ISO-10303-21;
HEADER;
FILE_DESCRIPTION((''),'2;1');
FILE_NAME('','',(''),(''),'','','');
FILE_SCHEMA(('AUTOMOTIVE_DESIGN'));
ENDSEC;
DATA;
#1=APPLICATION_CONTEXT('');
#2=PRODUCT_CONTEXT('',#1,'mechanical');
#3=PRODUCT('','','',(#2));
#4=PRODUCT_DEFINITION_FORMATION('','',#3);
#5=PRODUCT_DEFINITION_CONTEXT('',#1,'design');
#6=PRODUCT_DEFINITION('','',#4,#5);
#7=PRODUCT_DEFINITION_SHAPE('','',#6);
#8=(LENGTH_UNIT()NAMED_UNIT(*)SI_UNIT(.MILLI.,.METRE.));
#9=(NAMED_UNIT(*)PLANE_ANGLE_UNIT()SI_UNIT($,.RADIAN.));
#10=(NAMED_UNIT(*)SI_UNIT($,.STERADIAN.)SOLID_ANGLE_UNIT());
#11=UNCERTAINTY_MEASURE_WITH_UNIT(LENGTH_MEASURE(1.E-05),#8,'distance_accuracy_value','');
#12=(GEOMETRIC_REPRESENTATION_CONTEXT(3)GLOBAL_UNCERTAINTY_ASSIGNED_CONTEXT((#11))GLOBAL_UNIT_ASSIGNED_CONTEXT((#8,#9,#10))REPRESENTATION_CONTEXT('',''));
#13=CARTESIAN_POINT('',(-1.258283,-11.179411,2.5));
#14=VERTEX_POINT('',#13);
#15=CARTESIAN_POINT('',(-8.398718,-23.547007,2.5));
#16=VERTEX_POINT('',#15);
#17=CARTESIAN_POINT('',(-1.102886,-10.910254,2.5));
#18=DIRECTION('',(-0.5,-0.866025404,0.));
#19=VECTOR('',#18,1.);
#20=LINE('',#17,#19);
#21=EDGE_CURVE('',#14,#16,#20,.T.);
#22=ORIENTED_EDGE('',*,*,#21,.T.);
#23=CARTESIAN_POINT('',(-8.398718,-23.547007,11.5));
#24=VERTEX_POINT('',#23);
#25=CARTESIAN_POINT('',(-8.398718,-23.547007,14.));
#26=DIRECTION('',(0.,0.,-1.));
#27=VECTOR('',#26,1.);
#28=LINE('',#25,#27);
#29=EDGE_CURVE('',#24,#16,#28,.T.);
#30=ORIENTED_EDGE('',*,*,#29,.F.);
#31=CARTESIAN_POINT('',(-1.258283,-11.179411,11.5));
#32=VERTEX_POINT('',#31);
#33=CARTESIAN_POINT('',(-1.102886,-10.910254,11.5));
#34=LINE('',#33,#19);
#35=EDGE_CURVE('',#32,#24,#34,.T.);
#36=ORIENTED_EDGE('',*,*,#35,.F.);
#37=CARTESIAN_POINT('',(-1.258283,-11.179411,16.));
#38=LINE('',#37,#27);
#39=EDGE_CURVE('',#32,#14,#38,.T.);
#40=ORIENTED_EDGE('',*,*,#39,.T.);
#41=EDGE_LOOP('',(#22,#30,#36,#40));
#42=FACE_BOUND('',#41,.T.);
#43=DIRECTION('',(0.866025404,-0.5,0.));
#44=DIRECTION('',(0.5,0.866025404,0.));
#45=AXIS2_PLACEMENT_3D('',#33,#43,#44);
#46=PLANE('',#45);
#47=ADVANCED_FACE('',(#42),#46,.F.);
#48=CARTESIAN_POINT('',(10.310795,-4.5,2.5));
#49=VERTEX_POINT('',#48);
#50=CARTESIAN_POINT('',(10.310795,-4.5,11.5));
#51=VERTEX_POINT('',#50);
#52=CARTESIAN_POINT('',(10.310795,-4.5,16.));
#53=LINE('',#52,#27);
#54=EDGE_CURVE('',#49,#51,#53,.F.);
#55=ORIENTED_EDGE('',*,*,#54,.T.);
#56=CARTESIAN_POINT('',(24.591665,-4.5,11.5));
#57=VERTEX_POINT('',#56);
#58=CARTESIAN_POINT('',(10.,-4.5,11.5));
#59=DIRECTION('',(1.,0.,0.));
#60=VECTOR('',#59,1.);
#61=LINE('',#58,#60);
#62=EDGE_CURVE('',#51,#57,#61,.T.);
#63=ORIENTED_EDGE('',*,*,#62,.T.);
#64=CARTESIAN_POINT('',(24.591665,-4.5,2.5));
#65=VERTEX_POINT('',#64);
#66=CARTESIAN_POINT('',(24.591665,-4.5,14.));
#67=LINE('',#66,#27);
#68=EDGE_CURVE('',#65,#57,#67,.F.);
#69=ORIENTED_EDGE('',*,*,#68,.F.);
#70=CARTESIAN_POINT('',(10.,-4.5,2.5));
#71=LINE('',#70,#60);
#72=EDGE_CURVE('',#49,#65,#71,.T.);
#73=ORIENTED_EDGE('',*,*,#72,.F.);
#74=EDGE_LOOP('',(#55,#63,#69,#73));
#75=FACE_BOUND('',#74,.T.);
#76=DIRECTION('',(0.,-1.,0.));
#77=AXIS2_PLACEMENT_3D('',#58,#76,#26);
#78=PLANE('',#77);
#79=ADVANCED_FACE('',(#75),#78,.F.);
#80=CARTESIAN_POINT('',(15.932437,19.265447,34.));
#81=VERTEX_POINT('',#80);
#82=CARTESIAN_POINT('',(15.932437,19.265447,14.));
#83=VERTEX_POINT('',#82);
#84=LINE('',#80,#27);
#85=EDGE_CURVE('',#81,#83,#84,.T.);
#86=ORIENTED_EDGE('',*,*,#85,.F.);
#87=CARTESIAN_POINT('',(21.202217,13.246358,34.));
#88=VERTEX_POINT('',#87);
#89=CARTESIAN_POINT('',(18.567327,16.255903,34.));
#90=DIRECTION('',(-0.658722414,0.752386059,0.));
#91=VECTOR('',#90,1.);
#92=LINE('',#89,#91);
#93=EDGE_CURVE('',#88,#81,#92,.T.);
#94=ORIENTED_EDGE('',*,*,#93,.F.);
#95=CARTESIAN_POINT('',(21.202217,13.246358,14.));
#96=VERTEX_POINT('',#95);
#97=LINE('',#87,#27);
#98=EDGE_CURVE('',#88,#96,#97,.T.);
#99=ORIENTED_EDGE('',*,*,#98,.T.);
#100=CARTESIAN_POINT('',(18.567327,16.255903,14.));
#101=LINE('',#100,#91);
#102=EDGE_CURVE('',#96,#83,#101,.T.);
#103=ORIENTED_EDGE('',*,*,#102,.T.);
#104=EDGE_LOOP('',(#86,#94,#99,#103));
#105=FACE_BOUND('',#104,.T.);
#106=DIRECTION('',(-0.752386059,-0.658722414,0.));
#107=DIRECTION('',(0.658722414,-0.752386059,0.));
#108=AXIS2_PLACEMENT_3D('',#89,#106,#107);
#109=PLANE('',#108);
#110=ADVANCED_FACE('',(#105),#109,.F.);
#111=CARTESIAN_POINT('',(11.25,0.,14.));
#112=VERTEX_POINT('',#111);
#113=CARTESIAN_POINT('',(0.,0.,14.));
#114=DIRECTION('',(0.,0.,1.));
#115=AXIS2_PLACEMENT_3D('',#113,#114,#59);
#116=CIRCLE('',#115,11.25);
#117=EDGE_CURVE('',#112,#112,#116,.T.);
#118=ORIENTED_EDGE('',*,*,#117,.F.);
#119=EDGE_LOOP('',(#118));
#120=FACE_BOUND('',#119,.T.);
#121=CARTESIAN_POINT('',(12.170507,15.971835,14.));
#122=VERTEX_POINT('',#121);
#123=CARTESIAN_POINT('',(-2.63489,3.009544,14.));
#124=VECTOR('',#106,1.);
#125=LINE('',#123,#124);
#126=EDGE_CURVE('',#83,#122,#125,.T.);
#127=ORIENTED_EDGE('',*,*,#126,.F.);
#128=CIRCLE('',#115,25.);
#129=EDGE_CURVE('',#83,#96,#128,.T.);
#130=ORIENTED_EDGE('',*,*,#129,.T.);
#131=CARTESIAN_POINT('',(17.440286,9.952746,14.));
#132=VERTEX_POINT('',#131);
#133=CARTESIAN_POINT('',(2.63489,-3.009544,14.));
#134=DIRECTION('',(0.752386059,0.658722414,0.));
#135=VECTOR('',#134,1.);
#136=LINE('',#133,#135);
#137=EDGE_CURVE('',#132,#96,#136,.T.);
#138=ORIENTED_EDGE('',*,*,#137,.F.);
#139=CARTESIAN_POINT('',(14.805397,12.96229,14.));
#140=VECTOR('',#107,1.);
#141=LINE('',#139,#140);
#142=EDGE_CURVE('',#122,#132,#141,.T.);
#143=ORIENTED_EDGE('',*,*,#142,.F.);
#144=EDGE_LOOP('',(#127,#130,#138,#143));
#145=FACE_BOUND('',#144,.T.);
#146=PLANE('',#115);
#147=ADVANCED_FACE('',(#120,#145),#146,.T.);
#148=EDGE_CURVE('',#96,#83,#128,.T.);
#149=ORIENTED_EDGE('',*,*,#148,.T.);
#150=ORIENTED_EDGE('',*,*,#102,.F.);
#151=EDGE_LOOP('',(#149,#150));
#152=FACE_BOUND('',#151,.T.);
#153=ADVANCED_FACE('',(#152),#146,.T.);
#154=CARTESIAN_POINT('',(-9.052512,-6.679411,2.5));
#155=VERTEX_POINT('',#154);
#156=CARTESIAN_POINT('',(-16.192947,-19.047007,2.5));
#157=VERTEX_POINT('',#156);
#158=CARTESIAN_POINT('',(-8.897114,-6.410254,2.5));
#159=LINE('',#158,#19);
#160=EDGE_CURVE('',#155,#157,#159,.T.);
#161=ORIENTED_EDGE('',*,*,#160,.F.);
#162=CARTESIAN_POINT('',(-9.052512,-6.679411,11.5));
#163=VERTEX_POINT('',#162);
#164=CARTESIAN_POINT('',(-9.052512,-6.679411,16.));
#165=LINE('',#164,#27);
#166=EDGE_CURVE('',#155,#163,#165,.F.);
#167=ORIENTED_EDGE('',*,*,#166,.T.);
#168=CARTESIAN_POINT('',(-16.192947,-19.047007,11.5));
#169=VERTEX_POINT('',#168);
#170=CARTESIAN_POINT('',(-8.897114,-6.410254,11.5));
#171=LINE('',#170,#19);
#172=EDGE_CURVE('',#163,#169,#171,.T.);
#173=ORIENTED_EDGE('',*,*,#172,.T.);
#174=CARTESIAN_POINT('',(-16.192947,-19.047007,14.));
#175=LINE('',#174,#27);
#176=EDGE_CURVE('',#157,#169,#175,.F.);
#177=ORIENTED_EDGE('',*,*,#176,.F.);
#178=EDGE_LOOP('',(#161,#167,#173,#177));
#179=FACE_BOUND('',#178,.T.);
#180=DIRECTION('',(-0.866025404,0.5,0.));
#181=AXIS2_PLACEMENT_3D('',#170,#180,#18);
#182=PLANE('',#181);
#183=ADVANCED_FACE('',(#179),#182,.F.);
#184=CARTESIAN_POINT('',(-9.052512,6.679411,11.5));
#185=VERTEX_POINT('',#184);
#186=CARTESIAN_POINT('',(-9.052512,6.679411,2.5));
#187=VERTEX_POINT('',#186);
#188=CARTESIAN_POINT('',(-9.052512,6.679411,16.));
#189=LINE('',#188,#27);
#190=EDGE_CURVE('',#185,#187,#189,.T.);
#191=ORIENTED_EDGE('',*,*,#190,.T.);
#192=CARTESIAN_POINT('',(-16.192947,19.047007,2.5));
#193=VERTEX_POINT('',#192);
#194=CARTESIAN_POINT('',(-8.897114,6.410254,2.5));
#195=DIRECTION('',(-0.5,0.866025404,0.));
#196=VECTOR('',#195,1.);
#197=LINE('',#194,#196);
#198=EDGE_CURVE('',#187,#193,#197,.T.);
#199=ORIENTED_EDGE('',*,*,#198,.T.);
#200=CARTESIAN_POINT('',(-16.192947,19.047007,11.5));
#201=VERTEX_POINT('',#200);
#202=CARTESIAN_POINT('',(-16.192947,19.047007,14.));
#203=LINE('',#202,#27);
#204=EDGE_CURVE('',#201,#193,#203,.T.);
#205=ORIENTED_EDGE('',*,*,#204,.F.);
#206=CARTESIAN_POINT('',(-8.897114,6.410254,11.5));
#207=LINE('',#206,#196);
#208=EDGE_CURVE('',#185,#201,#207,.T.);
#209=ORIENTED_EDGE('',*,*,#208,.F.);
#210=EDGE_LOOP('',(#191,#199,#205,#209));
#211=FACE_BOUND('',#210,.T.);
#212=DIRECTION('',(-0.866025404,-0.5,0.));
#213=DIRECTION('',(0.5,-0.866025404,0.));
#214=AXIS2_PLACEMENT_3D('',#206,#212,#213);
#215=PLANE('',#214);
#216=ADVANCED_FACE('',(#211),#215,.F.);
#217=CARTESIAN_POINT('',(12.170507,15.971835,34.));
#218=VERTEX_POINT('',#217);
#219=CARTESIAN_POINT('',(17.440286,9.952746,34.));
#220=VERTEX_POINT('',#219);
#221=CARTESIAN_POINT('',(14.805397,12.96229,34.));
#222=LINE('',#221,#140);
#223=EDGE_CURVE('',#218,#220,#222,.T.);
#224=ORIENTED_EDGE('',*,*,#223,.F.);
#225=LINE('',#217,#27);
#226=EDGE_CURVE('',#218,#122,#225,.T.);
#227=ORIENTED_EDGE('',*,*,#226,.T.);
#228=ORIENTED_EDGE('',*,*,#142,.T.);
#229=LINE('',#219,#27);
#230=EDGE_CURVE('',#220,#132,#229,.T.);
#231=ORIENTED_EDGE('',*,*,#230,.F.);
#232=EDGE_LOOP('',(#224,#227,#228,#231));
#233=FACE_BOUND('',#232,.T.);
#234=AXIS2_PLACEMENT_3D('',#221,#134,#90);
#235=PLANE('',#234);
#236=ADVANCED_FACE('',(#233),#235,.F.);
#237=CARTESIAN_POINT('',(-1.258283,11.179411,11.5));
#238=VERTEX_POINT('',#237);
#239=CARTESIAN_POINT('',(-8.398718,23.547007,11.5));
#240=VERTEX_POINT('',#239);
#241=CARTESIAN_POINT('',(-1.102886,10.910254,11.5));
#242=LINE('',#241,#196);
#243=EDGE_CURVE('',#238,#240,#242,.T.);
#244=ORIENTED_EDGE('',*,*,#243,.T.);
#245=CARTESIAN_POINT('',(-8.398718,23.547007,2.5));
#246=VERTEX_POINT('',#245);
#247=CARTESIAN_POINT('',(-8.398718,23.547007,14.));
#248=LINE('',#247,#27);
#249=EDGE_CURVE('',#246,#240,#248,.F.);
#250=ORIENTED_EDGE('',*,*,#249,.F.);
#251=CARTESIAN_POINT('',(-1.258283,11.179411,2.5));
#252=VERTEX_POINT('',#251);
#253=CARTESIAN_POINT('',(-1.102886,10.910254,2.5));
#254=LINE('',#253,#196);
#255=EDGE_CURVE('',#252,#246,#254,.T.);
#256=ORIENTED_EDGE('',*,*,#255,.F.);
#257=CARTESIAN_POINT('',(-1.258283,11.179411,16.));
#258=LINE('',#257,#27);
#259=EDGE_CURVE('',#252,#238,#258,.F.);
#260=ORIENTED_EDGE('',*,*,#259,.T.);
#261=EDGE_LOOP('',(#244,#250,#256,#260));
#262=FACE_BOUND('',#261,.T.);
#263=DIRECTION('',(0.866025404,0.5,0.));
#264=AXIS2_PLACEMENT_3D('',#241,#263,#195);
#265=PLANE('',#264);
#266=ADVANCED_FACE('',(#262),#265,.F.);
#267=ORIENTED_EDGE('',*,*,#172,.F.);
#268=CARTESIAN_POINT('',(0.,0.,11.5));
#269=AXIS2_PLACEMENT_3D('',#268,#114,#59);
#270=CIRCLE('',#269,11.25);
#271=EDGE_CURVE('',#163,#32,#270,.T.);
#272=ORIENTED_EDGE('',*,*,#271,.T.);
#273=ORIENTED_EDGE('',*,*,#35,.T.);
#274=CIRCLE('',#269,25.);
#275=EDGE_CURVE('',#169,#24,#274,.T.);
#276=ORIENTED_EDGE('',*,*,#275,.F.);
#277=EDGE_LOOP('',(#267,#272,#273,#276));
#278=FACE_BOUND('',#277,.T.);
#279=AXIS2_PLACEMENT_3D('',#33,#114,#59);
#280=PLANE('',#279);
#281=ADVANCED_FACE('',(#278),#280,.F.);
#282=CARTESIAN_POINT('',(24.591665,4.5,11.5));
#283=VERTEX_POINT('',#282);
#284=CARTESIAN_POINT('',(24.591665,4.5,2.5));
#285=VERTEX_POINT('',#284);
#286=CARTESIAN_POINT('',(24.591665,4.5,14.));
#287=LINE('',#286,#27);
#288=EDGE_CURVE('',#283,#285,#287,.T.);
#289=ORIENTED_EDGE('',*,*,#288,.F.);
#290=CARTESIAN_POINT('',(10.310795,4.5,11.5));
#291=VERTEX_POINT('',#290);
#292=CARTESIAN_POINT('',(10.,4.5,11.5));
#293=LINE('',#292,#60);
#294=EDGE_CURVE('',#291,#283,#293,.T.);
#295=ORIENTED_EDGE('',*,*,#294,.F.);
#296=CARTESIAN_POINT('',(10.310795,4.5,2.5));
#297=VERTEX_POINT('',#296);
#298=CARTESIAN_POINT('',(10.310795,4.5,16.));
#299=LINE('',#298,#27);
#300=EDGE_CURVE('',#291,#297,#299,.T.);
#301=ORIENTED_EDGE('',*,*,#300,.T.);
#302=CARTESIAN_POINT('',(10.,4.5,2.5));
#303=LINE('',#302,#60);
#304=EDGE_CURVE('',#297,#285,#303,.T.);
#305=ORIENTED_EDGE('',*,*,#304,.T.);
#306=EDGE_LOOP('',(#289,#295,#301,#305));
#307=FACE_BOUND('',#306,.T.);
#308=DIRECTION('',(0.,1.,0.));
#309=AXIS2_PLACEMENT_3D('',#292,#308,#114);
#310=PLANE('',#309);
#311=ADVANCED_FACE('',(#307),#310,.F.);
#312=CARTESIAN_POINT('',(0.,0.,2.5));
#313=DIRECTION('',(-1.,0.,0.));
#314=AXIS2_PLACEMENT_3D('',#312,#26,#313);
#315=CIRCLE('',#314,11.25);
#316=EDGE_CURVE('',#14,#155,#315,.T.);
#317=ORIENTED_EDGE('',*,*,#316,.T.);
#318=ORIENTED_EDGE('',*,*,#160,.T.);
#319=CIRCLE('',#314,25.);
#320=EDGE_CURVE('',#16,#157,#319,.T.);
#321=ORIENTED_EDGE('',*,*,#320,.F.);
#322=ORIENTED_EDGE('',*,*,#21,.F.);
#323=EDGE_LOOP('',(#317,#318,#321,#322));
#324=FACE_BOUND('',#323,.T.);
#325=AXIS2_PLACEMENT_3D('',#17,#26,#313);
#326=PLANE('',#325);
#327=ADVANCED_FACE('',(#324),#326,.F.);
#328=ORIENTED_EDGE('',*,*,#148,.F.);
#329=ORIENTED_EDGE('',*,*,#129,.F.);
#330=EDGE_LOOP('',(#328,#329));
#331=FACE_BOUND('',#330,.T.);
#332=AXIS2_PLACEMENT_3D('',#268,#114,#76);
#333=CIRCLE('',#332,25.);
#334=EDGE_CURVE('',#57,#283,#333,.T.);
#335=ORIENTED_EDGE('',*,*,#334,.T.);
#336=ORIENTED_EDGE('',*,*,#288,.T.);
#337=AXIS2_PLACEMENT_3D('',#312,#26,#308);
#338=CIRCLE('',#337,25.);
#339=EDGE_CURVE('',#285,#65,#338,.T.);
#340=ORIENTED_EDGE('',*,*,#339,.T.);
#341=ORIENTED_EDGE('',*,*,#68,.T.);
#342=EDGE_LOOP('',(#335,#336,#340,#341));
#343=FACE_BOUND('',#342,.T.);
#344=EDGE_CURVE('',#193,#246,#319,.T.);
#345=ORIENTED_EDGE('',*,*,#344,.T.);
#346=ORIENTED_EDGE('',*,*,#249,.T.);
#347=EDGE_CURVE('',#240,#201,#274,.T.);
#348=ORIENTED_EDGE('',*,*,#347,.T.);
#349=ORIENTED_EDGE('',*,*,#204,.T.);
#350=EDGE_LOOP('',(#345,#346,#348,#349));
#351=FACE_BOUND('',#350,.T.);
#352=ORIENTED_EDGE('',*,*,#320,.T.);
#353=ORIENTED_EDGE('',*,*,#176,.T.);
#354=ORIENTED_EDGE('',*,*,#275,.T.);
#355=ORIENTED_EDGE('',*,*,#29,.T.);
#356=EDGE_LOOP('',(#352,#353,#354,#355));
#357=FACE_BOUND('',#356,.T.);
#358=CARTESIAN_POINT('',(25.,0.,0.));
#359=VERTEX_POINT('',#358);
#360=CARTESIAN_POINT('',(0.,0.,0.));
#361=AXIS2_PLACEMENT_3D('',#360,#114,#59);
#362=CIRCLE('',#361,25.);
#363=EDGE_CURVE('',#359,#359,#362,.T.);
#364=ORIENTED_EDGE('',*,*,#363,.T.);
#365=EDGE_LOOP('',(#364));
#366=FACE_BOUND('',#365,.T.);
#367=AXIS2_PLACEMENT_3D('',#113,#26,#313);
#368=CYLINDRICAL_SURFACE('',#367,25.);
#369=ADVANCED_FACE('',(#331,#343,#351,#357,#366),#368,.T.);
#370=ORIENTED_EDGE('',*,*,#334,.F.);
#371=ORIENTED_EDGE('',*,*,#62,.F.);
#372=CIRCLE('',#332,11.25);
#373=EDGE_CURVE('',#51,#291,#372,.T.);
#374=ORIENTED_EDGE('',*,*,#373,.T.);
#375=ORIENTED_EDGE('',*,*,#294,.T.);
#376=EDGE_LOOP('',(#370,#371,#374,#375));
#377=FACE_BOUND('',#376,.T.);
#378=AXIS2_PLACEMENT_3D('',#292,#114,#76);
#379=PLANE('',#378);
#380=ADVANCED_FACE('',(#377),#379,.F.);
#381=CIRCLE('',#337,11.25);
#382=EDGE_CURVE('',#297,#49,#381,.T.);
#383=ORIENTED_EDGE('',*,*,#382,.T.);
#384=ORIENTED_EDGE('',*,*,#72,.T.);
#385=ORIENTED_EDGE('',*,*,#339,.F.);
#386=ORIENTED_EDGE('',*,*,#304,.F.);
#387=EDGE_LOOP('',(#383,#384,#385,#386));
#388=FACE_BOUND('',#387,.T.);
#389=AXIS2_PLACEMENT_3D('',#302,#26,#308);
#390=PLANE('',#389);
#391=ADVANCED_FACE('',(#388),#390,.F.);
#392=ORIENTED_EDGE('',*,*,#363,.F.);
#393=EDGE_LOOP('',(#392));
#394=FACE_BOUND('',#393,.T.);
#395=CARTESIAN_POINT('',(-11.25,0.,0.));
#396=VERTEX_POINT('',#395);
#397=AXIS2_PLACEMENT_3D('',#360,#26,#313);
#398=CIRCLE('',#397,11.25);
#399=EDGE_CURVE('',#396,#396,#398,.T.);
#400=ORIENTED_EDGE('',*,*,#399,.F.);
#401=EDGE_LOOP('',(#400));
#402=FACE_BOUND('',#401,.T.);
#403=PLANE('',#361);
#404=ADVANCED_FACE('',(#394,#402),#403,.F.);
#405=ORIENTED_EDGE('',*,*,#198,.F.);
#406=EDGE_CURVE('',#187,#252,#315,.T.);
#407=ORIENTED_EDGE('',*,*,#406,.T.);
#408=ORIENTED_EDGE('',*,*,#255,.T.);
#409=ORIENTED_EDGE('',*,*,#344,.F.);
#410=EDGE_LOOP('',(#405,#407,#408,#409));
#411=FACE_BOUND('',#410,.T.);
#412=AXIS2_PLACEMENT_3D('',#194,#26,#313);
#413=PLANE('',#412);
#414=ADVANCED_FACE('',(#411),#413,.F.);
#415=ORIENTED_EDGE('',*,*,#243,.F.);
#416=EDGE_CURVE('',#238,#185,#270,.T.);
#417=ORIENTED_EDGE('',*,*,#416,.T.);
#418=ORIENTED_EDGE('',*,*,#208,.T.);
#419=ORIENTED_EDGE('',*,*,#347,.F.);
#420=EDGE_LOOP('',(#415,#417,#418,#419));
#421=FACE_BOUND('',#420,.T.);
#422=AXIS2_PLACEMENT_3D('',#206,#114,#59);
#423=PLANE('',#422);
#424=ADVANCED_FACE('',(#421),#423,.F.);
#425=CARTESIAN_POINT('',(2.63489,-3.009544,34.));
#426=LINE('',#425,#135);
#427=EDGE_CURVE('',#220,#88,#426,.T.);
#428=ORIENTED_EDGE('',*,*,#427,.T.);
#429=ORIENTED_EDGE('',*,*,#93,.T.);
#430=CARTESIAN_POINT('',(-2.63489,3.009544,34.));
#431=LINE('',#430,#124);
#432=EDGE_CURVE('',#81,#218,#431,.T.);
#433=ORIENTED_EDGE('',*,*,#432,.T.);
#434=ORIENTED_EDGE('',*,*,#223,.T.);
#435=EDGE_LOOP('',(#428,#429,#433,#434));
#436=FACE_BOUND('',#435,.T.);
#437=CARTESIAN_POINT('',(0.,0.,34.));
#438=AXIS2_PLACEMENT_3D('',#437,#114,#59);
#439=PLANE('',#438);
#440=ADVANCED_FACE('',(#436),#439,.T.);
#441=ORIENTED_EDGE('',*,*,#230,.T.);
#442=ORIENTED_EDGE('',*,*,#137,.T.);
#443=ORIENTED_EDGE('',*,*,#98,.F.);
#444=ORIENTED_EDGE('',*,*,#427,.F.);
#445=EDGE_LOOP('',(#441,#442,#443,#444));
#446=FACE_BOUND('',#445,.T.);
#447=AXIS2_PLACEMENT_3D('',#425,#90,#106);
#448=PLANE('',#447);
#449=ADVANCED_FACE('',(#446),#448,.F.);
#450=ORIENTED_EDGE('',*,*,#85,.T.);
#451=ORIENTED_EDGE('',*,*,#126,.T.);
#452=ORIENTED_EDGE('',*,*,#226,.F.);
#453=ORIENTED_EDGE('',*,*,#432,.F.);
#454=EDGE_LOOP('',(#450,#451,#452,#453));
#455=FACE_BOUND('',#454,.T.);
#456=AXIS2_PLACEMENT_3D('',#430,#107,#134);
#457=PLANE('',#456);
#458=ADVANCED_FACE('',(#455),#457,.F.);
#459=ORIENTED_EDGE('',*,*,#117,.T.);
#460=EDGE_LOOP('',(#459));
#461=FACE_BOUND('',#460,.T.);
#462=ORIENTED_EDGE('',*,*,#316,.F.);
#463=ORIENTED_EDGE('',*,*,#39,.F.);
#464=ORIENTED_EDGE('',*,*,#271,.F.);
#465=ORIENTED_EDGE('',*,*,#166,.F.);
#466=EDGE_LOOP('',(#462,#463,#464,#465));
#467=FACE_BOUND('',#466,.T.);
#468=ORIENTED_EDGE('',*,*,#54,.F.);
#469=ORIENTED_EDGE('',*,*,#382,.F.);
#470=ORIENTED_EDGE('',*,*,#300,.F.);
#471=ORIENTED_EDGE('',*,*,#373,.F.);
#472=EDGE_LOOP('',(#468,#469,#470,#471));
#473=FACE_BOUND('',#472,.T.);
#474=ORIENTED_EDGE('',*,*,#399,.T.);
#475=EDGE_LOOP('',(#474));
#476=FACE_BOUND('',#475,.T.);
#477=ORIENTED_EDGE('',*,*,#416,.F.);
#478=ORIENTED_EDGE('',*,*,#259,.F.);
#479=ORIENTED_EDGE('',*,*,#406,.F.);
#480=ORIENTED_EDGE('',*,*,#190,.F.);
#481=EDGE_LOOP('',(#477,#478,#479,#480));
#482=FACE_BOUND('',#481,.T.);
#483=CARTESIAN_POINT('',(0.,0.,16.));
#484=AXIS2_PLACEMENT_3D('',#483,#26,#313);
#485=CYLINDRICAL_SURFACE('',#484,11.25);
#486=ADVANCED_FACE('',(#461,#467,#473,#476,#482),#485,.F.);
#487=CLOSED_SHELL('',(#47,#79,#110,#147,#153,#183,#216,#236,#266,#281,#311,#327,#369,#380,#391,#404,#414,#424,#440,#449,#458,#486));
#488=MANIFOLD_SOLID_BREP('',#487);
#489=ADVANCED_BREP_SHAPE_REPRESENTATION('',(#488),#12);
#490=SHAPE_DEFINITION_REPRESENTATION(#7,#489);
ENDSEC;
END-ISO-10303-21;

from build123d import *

# Parameters (mm, degrees)
ESQUISSE1_R                  = 25
BOSS_EXTRU_1_DEPTH           = 14
ENL_V_START                  = 26
ESQUISSE2_W                  = 9
ESQUISSE2_H                  = 9
ENL_V_MAT_EXTRU_1_DEPTH      = 16
R_P_TITION_CIRCULAIRE1_COUNT = 3
ESQUISSE9_R                  = 11.25
ENL_V_MAT_EXTRU_2_DEPTH      = 16
BOSS_EXTRU_3_START           = -14
BOSS_EXTRU_3_DEPTH           = 20


with BuildPart() as part:
    # Esquisse1 → Boss.-Extru.1 (new body)
    with BuildSketch(Plane.XY):
        Circle(ESQUISSE1_R)
    extrude(amount=BOSS_EXTRU_1_DEPTH)

    # Esquisse2 → Enlèv. mat.-Extru.1 (cut)
    with BuildSketch(Plane(origin=(0, 0, 0), x_dir=(0, 0, -1), z_dir=(1, 0, 0)).offset(ENL_V_START)):
        with Locations((-7, 0)):
            Rectangle(ESQUISSE2_W, ESQUISSE2_H)
    enl_v_mat_extru_1 = extrude(amount=-ENL_V_MAT_EXTRU_1_DEPTH, mode=Mode.SUBTRACT)

    # Répétition circulaire1: Enlèv. mat.-Extru.1 ×3 about axis
    r_p_tition_circulaire1_axis = Axis((0, 0, 0), (0, 0, 1))
    for i in range(1, R_P_TITION_CIRCULAIRE1_COUNT):
        add(enl_v_mat_extru_1.rotate(r_p_tition_circulaire1_axis, i * 360 / R_P_TITION_CIRCULAIRE1_COUNT), mode=Mode.SUBTRACT)

    # Esquisse9 → Enlèv. mat.-Extru.2 (cut)
    with BuildSketch(Plane(origin=(0, 0, 0), x_dir=(-1, 0, 0), z_dir=(0, 0, -1))):
        Circle(ESQUISSE9_R)
    extrude(amount=-ENL_V_MAT_EXTRU_2_DEPTH, mode=Mode.SUBTRACT)

    # Esquisse10 → Boss.-Extru.3 (add)
    with BuildSketch(Plane(origin=(0, 0, 0), x_dir=(-1, 0, 0), z_dir=(0, 0, -1)).offset(BOSS_EXTRU_3_START)):
        Polygon((-15.932437345, 19.265446796), (-21.202216656, 13.246358325), (-17.440286362, 9.952746256), (-12.170507051, 15.971834726), align=None)
    extrude(amount=-BOSS_EXTRU_3_DEPTH)


solid = part.part
